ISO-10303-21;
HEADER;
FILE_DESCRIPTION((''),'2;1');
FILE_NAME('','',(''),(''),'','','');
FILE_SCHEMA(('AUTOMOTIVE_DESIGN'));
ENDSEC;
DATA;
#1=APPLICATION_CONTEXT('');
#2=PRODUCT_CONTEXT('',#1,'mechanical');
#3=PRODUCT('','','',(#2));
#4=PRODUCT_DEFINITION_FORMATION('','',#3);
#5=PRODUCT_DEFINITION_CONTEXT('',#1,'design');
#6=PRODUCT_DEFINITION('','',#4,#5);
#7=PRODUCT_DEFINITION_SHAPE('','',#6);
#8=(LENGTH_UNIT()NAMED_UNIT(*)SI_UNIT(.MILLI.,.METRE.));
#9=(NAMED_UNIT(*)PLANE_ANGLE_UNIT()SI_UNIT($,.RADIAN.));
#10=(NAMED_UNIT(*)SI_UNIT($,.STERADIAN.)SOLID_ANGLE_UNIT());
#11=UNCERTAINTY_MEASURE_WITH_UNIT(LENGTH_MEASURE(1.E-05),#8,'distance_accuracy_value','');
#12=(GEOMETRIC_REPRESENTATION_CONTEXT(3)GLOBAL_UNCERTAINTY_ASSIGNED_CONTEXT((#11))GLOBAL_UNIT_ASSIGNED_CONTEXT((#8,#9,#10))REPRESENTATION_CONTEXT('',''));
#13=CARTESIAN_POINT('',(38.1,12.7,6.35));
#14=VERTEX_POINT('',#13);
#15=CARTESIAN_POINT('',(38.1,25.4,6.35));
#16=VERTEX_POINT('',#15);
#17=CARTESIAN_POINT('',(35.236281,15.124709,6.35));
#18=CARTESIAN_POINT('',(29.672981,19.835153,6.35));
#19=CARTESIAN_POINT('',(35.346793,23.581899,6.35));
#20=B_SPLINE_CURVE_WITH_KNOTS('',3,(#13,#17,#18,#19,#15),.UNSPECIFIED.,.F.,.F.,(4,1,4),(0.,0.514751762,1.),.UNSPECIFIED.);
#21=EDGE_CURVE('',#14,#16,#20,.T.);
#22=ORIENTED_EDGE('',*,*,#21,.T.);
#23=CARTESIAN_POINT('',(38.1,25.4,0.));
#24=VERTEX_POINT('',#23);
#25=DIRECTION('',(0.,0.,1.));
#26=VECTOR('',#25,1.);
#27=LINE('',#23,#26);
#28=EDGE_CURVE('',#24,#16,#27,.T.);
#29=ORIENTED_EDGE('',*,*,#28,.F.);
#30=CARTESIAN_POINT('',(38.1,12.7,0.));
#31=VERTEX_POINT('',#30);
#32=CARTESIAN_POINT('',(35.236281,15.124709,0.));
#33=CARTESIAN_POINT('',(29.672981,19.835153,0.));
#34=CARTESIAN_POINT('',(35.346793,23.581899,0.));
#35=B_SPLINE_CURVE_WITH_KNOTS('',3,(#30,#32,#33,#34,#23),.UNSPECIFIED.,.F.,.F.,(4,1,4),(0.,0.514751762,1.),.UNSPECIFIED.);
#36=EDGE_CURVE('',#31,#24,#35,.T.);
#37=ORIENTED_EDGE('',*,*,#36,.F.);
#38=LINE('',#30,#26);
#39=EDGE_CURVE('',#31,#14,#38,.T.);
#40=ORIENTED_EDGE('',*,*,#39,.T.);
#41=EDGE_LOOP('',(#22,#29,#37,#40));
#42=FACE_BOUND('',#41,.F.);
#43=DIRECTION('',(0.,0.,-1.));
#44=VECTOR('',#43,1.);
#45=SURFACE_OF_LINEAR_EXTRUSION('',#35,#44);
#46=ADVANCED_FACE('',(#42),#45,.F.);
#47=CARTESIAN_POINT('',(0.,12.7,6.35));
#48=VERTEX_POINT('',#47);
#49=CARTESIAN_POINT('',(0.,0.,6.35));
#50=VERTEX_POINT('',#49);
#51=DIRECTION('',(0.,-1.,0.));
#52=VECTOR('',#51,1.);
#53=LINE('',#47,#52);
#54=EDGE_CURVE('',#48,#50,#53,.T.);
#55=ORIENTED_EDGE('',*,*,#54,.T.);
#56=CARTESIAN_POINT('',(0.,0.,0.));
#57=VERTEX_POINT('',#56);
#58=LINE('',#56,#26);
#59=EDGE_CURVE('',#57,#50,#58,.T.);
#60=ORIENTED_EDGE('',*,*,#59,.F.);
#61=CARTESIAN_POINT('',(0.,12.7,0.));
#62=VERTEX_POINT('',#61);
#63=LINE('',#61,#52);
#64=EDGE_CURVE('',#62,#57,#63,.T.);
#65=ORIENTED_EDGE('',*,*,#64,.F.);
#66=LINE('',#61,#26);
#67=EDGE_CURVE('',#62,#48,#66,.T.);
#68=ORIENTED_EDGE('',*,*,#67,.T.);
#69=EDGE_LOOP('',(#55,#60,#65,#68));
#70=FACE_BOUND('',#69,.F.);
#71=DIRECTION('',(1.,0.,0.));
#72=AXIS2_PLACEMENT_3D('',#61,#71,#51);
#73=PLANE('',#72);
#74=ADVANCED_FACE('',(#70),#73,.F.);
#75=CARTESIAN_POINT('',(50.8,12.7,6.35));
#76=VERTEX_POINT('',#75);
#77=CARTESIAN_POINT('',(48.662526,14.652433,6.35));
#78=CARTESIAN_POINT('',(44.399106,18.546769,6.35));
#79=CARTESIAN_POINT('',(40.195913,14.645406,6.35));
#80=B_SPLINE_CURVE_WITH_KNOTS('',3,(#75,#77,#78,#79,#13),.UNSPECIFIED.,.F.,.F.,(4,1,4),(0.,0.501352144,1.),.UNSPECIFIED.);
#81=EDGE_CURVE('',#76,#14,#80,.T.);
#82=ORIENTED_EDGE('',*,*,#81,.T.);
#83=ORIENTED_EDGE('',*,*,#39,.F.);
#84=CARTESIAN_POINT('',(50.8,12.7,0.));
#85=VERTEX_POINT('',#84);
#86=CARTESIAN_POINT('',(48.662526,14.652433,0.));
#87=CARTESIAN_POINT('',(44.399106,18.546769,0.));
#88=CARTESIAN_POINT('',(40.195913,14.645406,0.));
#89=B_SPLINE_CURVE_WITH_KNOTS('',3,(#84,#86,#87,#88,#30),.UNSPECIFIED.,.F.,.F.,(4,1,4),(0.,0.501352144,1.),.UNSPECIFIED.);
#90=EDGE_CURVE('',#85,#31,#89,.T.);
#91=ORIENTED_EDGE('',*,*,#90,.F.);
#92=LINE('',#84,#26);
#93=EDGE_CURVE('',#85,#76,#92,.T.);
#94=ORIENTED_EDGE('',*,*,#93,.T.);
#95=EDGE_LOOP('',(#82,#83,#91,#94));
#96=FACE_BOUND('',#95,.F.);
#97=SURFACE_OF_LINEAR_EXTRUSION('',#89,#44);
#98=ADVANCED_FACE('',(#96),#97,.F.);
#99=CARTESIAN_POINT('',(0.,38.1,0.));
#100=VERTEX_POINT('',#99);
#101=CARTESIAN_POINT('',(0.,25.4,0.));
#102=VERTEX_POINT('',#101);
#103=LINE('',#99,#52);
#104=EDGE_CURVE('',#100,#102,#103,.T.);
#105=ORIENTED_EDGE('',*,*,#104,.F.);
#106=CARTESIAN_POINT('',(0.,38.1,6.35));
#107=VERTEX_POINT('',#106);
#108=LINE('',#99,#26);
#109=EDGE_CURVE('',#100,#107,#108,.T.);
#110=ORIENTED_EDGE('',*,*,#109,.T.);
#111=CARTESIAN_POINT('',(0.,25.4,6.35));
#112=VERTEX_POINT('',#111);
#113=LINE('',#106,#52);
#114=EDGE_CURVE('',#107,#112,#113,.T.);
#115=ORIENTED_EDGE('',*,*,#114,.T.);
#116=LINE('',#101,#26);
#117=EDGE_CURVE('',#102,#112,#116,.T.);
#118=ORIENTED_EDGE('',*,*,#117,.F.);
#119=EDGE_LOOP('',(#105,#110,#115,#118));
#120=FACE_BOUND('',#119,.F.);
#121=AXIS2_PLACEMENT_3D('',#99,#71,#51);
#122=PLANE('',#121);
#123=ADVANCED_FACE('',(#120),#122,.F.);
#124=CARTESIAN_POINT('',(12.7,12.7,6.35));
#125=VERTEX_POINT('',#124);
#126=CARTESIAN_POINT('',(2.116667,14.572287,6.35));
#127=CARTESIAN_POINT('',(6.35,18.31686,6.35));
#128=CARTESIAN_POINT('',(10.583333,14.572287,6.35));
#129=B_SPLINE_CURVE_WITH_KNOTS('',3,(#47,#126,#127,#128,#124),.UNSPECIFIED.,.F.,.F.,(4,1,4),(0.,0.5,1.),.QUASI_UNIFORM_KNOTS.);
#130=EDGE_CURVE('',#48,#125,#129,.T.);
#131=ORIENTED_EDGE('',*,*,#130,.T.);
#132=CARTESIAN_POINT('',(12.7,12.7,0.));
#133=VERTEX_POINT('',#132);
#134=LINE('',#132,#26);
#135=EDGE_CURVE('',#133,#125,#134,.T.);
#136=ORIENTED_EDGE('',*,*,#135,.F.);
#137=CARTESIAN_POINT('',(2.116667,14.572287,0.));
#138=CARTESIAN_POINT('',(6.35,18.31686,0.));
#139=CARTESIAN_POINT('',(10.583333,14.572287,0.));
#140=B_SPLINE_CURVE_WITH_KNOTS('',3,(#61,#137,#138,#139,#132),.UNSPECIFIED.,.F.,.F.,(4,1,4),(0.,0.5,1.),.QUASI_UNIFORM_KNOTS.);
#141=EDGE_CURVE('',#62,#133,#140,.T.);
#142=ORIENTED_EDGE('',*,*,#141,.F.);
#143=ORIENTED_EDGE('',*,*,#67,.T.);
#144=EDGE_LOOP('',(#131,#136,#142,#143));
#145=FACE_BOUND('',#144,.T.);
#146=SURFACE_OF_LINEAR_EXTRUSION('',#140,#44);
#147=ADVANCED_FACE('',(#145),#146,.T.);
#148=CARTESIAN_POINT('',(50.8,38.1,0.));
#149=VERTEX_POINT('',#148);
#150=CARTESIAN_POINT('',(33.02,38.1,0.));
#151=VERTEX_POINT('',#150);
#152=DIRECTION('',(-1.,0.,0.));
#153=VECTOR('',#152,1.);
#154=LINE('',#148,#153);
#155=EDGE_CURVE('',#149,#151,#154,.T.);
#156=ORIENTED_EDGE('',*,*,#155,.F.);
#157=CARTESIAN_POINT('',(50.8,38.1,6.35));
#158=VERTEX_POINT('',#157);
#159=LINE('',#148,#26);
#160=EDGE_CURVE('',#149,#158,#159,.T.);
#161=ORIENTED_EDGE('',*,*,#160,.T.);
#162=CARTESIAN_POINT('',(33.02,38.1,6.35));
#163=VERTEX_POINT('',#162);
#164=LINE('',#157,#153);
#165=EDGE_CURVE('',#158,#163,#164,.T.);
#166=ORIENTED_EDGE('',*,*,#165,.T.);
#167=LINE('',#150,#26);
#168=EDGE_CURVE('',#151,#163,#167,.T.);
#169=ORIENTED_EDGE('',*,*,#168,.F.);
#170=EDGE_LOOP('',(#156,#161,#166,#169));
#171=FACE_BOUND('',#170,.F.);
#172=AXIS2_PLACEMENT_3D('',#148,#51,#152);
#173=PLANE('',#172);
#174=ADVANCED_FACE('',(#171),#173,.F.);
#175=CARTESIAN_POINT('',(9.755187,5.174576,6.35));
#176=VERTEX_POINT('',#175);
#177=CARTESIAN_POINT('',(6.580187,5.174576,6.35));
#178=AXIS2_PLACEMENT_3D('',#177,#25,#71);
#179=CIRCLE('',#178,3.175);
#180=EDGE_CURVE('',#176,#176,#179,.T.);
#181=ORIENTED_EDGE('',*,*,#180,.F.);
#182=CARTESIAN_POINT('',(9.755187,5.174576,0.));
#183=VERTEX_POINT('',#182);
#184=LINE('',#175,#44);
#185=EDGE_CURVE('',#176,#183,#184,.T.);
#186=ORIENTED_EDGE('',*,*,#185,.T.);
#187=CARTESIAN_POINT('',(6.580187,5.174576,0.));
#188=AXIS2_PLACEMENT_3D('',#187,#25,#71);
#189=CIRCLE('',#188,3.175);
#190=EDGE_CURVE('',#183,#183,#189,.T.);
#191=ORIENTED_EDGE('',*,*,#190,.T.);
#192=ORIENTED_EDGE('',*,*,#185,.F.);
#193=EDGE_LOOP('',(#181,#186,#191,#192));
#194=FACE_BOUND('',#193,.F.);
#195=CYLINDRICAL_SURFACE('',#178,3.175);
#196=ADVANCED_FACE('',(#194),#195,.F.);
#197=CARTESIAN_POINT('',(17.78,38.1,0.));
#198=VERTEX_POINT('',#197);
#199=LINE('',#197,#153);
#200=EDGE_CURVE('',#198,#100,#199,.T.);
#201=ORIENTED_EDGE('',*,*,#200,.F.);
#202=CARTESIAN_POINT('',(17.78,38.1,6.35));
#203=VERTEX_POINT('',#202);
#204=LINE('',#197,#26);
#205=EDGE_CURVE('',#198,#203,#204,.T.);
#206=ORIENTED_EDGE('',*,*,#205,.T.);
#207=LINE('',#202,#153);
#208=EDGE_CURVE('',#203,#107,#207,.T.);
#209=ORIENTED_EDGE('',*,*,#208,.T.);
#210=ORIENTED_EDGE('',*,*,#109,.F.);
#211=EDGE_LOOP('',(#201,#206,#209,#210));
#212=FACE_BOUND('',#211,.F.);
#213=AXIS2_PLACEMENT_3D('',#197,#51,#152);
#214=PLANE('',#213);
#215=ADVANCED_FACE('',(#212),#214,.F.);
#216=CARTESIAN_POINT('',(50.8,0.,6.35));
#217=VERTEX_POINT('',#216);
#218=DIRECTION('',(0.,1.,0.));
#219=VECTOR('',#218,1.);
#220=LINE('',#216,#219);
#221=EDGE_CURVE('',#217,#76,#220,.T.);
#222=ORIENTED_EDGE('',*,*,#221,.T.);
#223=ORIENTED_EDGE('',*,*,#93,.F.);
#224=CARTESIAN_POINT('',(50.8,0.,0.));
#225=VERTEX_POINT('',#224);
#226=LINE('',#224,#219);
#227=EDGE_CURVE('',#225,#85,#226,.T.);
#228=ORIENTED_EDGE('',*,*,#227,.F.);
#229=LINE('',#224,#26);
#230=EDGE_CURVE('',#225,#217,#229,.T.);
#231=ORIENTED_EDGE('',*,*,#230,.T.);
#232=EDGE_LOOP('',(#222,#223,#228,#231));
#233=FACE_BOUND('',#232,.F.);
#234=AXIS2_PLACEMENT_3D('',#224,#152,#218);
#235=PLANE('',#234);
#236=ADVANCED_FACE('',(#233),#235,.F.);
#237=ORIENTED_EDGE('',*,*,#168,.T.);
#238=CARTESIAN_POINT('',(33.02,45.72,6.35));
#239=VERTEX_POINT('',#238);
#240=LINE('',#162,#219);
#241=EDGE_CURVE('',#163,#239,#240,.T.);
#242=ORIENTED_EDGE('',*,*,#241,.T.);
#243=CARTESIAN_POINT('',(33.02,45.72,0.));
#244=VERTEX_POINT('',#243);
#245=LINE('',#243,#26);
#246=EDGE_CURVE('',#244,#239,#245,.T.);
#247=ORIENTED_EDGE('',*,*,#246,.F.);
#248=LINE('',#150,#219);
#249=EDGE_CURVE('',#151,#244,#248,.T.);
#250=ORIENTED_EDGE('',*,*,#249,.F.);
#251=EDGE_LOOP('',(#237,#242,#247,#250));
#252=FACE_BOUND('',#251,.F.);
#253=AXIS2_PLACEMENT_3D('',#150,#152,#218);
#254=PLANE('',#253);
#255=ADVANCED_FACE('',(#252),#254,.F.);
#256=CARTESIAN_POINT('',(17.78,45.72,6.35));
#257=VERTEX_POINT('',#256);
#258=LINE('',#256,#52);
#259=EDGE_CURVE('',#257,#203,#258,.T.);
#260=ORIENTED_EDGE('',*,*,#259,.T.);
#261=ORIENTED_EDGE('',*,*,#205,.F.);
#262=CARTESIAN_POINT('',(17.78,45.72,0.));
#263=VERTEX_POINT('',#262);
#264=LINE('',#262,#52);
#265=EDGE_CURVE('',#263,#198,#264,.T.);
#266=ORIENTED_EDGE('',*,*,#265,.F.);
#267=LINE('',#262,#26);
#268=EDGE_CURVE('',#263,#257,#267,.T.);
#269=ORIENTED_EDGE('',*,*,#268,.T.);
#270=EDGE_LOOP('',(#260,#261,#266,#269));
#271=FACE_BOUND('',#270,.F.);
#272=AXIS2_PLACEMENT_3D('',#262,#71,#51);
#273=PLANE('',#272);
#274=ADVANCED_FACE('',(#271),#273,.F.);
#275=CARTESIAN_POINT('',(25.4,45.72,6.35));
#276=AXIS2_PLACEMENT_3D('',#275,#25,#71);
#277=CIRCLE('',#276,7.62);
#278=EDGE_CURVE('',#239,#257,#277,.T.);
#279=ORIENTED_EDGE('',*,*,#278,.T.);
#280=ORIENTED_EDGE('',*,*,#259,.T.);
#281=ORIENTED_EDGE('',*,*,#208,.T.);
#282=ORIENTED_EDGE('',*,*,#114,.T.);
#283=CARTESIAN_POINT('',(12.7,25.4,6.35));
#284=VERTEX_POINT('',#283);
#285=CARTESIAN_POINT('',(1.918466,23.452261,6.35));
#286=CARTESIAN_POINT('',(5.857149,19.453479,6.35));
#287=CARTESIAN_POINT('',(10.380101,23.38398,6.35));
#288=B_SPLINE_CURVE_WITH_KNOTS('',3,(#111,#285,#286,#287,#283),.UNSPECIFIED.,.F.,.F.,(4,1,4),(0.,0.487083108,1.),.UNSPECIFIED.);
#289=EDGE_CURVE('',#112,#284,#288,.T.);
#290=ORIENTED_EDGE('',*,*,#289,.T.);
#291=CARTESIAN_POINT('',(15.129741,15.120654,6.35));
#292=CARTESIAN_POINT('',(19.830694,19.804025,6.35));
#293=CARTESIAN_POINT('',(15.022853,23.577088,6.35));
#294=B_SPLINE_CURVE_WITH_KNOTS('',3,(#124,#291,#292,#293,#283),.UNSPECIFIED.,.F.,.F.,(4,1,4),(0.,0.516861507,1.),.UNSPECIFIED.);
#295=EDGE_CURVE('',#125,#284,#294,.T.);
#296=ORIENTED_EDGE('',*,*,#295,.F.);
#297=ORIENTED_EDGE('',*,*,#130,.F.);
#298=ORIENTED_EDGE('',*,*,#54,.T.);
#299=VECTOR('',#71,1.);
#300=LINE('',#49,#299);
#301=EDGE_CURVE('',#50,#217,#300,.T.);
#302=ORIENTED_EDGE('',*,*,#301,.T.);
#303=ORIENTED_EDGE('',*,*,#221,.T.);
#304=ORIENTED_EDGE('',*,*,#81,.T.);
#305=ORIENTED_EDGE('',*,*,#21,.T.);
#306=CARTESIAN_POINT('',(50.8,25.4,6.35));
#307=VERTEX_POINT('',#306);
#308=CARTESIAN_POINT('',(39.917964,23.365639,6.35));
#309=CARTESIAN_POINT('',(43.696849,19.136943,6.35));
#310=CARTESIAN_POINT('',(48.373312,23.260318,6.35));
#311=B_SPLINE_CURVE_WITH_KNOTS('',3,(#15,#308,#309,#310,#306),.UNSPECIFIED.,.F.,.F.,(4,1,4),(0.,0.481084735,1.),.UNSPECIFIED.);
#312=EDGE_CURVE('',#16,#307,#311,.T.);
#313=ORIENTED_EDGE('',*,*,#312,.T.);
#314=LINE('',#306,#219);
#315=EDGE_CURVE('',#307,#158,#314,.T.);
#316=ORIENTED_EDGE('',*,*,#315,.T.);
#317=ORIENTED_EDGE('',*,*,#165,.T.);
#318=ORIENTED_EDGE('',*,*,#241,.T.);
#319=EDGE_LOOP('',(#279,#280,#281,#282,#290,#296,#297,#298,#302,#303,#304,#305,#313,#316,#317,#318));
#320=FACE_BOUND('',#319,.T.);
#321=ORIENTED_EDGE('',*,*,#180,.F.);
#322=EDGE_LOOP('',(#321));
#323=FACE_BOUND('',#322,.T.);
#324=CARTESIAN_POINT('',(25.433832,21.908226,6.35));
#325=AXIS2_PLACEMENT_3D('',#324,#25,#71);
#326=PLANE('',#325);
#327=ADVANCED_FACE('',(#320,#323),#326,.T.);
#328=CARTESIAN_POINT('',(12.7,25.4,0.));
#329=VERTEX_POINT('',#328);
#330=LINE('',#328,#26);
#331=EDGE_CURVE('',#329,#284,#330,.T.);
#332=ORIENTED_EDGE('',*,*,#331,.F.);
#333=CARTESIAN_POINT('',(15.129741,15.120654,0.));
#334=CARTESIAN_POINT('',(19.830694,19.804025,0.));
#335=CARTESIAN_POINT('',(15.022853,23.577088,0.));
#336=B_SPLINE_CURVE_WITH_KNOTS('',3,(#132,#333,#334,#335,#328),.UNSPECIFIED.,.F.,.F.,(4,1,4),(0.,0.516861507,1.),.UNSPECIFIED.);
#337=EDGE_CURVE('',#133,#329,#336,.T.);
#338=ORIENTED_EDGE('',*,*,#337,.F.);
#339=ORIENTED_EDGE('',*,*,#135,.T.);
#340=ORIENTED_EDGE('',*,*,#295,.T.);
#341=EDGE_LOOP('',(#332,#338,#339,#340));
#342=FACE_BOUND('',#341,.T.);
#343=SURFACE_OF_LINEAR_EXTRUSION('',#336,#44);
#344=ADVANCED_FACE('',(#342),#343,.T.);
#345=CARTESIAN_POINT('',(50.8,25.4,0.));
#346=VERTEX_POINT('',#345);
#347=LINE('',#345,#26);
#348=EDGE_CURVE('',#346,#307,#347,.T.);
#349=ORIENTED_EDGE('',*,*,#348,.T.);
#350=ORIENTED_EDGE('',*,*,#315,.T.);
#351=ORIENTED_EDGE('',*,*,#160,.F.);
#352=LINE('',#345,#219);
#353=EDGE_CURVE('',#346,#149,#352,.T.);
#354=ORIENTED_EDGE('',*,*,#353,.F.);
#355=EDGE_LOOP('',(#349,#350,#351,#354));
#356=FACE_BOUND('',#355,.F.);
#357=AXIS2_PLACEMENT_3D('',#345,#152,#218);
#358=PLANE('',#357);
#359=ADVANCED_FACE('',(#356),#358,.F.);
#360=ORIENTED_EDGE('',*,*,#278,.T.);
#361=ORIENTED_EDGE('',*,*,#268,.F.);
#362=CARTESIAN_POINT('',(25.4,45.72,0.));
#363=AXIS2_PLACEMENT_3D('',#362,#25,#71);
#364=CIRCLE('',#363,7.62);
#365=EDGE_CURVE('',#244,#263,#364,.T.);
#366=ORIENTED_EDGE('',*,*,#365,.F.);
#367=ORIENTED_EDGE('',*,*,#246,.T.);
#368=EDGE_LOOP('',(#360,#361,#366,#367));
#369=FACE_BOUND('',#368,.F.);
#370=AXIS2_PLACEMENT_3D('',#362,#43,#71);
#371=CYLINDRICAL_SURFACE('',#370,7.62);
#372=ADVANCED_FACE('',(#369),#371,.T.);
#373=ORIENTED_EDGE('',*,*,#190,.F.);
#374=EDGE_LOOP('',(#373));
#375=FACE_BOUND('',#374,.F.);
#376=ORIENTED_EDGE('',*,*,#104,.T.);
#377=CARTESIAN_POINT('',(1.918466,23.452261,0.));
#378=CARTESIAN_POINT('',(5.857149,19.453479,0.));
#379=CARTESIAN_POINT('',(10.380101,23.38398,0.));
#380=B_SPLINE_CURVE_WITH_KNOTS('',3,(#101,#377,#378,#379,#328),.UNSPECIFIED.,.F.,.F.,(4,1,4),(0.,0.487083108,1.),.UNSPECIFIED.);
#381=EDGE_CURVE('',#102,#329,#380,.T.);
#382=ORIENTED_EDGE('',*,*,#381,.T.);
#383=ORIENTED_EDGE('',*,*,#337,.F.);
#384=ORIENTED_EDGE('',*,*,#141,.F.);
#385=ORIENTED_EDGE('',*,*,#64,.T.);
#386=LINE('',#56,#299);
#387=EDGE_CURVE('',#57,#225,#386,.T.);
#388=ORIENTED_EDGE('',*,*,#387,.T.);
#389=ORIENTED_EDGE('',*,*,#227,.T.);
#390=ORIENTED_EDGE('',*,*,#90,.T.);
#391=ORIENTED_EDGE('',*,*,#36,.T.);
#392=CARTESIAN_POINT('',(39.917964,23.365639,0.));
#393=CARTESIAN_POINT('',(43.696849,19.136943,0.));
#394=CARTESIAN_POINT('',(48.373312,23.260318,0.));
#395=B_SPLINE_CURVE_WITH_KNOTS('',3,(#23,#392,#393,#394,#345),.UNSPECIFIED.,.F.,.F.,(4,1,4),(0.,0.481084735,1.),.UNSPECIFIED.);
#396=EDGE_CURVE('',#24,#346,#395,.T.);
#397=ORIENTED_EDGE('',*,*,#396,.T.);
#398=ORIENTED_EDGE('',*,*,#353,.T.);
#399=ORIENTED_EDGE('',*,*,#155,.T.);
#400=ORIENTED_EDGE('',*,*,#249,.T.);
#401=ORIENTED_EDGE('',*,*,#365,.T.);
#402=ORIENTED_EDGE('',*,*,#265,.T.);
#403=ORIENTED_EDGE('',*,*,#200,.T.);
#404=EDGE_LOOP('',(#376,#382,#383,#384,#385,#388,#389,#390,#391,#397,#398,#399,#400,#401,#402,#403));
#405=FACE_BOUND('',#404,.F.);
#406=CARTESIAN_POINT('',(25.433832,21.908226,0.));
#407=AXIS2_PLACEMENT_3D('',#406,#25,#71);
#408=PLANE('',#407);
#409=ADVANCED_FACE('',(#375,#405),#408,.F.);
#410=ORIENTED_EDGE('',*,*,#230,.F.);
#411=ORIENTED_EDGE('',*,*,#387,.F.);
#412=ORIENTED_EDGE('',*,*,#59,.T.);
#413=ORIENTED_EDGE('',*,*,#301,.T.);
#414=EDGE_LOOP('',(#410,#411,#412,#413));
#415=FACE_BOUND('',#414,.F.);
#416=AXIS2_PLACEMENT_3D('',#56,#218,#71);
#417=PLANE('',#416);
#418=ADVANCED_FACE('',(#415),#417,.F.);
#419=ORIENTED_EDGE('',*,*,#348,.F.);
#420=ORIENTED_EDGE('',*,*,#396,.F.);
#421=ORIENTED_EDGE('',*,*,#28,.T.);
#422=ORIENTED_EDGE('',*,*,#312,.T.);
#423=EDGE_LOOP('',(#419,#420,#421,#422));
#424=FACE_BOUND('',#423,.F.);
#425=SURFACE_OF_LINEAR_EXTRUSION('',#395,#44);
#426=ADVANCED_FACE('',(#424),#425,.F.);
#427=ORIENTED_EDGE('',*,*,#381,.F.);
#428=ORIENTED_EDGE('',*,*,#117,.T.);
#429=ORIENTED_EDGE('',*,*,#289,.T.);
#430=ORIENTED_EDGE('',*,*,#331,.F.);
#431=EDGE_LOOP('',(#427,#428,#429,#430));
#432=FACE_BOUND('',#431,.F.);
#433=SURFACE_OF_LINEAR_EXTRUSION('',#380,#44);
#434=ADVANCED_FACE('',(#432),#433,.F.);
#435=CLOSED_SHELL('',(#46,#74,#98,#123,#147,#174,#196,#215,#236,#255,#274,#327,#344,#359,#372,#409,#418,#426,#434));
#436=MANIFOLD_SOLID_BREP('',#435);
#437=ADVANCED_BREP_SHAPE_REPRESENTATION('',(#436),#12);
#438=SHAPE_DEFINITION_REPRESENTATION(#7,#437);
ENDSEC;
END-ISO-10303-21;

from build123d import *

# Parameters (mm, degrees)
F1_DEPTH = 6.35
F2_R     = 3.175
F3_DEPTH = 6.35


with BuildPart() as f1:
    # F0 (on Top) → F1 (new body)
    with BuildSketch(Plane.XY):
        with BuildLine():
            Line((0, 12.7), (0, 0))
            Line((0, 0), (50.8, 0))
            Line((50.8, 0), (50.8, 12.7))
            add(Edge.make_bspline(
                [(50.8, 12.7), (48.6625255622, 14.6524333598), (44.3991061989, 18.5467686764), (40.1959131853, 14.6454060899), (38.1, 12.7)],
                knots=[0, 0, 0, 0, 0.5013521438, 1, 1, 1, 1], degree=3))
            add(Edge.make_bspline(
                [(38.1, 12.7), (35.2362812476, 15.1247093608), (29.6729807092, 19.8351533876), (35.3467927178, 23.5818985232), (38.1, 25.4)],
                knots=[0, 0, 0, 0, 0.5147517616, 1, 1, 1, 1], degree=3))
            add(Edge.make_bspline(
                [(38.1, 25.4), (39.9179639958, 23.3656390647), (43.6968492215, 19.1369433918), (48.37331205, 23.2603179807), (50.8, 25.4)],
                knots=[0, 0, 0, 0, 0.4810847346, 1, 1, 1, 1], degree=3))
            Line((50.8, 25.4), (50.8, 38.1))
            Line((50.8, 38.1), (33.02, 38.1))
            Line((33.02, 38.1), (33.02, 45.72))
            ThreePointArc((33.02, 45.72), (25.4, 53.34), (17.78, 45.72))
            Line((17.78, 45.72), (17.78, 38.1))
            Line((17.78, 38.1), (0, 38.1))
            Line((0, 38.1), (0, 25.4))
            add(Edge.make_bspline(
                [(0, 25.4), (1.9184660831, 23.4522608086), (5.857149342, 19.4534787537), (10.3801014579, 23.3839796805), (12.7, 25.4)],
                knots=[0, 0, 0, 0, 0.487083108, 1, 1, 1, 1], degree=3))
            add(Edge.make_bspline(
                [(12.7, 12.7), (15.1297413304, 15.1206540979), (19.8306937088, 19.8040249145), (15.0228529426, 23.577087991), (12.7, 25.4)],
                knots=[0, 0, 0, 0, 0.5168615069, 1, 1, 1, 1], degree=3))
            add(Edge.make_bspline(
                [(0, 12.7), (2.1166666667, 14.5722865894), (6.35, 18.3168597683), (10.5833333333, 14.5722865894), (12.7, 12.7)],
                knots=[0, 0, 0, 0, 0.5, 1, 1, 1, 1], degree=3))
        make_face()
    extrude(amount=F1_DEPTH)

    # F2 (on face) → F3 (cut, through all)
    with BuildSketch(Plane.XY.offset(6.35)):
        with Locations((6.5801870078, 5.1745763049)):
            Circle(F2_R)
    extrude(amount=-F3_DEPTH, mode=Mode.SUBTRACT)


solid = f1.part
